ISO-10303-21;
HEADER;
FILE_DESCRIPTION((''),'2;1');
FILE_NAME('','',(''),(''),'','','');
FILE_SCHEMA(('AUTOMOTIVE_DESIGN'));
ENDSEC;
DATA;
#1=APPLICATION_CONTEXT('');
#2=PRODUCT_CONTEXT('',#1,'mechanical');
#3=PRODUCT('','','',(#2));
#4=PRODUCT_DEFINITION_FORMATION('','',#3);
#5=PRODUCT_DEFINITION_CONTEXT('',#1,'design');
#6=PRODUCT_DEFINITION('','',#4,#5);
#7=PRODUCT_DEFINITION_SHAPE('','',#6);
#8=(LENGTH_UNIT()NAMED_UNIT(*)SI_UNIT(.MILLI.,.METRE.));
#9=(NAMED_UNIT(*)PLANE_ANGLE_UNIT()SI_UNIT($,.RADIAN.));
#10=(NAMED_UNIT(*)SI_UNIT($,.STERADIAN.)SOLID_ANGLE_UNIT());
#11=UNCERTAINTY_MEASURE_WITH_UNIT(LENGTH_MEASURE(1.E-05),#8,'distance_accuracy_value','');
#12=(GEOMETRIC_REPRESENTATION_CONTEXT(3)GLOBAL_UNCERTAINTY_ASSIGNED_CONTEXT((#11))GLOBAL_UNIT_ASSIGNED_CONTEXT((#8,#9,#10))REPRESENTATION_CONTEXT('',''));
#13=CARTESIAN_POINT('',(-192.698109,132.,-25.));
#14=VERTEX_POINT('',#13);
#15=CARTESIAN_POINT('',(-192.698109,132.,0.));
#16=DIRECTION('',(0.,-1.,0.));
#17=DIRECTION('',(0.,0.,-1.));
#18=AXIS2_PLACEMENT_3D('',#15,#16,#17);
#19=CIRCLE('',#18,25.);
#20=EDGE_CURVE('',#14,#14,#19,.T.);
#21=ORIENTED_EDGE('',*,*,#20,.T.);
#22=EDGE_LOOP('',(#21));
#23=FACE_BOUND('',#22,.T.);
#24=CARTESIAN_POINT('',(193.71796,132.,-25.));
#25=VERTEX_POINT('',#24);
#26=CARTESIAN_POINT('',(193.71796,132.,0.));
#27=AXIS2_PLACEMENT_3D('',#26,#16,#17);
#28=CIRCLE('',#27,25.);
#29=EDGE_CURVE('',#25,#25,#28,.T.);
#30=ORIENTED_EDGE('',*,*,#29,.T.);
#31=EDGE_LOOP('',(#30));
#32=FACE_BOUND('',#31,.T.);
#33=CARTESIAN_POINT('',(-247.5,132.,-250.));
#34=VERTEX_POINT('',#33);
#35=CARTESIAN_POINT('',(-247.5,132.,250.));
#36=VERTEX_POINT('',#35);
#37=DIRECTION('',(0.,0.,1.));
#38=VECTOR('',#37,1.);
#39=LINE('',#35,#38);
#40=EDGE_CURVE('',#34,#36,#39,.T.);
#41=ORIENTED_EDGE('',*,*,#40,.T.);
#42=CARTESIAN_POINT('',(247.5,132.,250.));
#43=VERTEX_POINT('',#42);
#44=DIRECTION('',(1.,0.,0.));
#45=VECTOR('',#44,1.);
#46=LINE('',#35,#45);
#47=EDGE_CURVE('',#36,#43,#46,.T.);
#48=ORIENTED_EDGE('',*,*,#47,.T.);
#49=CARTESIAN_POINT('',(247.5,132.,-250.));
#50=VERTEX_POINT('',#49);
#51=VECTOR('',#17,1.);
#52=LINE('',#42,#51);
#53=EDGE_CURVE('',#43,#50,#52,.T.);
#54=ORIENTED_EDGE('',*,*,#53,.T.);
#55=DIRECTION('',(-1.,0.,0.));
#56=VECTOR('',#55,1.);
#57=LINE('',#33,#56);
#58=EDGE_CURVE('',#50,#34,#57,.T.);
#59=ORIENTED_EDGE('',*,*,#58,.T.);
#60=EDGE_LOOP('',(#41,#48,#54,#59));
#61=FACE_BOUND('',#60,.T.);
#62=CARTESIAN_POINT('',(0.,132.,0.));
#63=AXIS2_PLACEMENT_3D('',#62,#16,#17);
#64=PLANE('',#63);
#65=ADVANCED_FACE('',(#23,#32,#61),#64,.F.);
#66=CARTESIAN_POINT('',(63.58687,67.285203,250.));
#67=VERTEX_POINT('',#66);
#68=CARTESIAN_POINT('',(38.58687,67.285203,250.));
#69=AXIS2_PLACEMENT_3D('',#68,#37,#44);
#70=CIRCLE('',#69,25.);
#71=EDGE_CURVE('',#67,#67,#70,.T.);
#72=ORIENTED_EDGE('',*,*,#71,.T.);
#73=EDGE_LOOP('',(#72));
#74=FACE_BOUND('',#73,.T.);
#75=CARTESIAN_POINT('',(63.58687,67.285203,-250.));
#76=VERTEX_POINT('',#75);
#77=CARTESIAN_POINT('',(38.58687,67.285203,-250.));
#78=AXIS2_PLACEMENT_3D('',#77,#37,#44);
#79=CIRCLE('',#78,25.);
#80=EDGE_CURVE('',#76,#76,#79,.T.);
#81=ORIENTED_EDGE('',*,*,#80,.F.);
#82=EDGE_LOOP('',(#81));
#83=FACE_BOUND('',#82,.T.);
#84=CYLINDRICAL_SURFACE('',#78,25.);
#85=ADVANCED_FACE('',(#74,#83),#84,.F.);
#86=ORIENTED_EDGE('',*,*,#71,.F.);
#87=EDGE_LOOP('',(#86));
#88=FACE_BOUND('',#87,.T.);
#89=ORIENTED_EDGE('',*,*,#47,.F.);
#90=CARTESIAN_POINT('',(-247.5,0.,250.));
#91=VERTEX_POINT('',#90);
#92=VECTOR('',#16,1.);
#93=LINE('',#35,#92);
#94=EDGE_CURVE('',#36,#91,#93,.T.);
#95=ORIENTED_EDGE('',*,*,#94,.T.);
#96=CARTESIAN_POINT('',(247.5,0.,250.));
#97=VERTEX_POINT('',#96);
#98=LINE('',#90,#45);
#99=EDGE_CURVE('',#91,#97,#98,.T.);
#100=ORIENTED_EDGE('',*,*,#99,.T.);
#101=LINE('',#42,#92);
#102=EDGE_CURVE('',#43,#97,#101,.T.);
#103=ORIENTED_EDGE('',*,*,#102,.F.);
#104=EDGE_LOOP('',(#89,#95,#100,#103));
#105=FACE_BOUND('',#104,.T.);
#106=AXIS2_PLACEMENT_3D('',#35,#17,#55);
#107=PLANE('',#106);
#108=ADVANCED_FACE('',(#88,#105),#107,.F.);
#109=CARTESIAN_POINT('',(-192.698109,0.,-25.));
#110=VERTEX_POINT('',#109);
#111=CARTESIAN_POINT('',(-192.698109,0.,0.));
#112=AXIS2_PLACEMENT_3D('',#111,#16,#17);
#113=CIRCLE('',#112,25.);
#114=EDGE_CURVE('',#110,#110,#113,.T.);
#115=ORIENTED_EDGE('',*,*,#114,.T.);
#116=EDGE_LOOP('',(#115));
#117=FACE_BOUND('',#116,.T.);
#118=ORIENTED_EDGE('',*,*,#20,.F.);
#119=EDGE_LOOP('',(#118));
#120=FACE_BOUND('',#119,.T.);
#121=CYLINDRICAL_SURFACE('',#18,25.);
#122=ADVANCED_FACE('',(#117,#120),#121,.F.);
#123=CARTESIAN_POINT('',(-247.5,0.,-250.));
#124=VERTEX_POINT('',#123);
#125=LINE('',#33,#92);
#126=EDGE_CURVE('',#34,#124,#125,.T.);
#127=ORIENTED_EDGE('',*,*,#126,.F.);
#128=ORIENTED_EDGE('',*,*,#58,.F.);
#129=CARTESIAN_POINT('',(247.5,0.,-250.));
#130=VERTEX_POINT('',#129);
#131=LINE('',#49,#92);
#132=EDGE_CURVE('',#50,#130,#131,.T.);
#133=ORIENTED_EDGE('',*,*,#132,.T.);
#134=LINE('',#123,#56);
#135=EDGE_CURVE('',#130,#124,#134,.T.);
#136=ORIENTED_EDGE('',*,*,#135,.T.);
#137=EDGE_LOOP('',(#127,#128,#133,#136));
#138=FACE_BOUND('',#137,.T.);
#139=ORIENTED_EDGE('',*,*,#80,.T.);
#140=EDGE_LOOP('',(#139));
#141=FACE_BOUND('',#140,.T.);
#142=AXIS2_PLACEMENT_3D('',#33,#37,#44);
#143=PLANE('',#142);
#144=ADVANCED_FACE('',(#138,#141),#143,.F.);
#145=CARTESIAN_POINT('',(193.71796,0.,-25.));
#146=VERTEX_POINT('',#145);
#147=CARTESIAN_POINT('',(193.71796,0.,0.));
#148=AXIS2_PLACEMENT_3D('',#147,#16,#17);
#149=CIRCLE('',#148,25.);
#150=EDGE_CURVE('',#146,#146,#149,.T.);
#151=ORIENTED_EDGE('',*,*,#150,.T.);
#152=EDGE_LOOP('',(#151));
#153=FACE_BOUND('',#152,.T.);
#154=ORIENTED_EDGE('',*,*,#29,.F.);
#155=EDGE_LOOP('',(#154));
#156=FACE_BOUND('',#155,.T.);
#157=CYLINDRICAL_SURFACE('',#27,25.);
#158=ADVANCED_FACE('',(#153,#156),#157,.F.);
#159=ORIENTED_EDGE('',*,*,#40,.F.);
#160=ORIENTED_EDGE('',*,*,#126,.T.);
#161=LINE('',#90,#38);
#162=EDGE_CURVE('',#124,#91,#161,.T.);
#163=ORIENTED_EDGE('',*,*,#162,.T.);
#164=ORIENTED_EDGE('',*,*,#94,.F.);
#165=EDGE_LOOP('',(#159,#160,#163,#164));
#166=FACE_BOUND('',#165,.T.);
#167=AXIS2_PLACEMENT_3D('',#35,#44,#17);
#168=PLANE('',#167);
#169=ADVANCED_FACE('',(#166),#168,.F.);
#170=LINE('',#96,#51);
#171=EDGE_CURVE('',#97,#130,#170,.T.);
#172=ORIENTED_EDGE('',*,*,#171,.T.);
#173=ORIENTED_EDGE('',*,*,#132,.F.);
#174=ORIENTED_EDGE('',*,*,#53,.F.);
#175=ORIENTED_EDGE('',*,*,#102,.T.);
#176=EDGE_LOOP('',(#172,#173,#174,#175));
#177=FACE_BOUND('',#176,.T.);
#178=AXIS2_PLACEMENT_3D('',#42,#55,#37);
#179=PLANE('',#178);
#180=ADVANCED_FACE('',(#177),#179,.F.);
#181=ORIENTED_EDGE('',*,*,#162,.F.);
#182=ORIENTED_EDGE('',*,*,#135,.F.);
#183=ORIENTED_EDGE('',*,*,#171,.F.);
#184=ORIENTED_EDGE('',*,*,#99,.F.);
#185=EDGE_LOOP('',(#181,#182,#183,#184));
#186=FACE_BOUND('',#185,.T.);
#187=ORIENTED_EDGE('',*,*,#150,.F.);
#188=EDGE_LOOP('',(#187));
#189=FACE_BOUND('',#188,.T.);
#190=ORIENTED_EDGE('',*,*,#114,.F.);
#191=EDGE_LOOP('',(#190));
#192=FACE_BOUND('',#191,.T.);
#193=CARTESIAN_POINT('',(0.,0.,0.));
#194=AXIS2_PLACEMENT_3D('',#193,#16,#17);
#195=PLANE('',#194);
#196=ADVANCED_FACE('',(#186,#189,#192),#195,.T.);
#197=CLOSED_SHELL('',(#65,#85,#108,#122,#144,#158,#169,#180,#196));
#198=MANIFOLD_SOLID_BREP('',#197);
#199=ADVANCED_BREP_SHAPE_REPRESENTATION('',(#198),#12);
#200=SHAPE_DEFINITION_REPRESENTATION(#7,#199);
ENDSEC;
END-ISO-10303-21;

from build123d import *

# Parameters (mm, degrees)
SKETCH2_W        = 495
SKETCH2_H        = 500
HIPS_DEPTH       = 132
SKETCH3_R        = 25
FEMUR_HOLE_DEPTH = 574.306418942
SKETCH4_R        = 25
TAIL_HOLE_DEPTH  = 376.739603981
SKETCH5_R        = 25
NECK_HOLE_DEPTH  = 376.739603981


with BuildPart() as part:
    # Sketch2 → Hips (new body)
    with BuildSketch(Plane(origin=(0, 0, 0), x_dir=(1, 0, 0), z_dir=(0, 1, 0))):
        Rectangle(SKETCH2_W, SKETCH2_H)
    extrude(amount=HIPS_DEPTH)

    # Sketch3 → Femur-hole (cut, through all)
    with BuildSketch(Plane.XY.offset(250)):
        with Locations((38.58686963, 67.285203145)):
            Circle(SKETCH3_R)
    extrude(amount=-FEMUR_HOLE_DEPTH, mode=Mode.SUBTRACT)

    # Sketch4 → Tail-hole (cut, through all)
    with BuildSketch(Plane.XZ):
        with Locations(Location((193.717960243, 0, 0), (0, 0, 270))):
            Circle(SKETCH4_R)
    extrude(amount=-TAIL_HOLE_DEPTH, mode=Mode.SUBTRACT)

    # Sketch5 → Neck-hole (cut, through all)
    with BuildSketch(Plane.XZ):
        with Locations(Location((-192.698108673, 0, 0), (0, 0, 270))):
            Circle(SKETCH5_R)
    extrude(amount=-NECK_HOLE_DEPTH, mode=Mode.SUBTRACT)


solid = part.part
